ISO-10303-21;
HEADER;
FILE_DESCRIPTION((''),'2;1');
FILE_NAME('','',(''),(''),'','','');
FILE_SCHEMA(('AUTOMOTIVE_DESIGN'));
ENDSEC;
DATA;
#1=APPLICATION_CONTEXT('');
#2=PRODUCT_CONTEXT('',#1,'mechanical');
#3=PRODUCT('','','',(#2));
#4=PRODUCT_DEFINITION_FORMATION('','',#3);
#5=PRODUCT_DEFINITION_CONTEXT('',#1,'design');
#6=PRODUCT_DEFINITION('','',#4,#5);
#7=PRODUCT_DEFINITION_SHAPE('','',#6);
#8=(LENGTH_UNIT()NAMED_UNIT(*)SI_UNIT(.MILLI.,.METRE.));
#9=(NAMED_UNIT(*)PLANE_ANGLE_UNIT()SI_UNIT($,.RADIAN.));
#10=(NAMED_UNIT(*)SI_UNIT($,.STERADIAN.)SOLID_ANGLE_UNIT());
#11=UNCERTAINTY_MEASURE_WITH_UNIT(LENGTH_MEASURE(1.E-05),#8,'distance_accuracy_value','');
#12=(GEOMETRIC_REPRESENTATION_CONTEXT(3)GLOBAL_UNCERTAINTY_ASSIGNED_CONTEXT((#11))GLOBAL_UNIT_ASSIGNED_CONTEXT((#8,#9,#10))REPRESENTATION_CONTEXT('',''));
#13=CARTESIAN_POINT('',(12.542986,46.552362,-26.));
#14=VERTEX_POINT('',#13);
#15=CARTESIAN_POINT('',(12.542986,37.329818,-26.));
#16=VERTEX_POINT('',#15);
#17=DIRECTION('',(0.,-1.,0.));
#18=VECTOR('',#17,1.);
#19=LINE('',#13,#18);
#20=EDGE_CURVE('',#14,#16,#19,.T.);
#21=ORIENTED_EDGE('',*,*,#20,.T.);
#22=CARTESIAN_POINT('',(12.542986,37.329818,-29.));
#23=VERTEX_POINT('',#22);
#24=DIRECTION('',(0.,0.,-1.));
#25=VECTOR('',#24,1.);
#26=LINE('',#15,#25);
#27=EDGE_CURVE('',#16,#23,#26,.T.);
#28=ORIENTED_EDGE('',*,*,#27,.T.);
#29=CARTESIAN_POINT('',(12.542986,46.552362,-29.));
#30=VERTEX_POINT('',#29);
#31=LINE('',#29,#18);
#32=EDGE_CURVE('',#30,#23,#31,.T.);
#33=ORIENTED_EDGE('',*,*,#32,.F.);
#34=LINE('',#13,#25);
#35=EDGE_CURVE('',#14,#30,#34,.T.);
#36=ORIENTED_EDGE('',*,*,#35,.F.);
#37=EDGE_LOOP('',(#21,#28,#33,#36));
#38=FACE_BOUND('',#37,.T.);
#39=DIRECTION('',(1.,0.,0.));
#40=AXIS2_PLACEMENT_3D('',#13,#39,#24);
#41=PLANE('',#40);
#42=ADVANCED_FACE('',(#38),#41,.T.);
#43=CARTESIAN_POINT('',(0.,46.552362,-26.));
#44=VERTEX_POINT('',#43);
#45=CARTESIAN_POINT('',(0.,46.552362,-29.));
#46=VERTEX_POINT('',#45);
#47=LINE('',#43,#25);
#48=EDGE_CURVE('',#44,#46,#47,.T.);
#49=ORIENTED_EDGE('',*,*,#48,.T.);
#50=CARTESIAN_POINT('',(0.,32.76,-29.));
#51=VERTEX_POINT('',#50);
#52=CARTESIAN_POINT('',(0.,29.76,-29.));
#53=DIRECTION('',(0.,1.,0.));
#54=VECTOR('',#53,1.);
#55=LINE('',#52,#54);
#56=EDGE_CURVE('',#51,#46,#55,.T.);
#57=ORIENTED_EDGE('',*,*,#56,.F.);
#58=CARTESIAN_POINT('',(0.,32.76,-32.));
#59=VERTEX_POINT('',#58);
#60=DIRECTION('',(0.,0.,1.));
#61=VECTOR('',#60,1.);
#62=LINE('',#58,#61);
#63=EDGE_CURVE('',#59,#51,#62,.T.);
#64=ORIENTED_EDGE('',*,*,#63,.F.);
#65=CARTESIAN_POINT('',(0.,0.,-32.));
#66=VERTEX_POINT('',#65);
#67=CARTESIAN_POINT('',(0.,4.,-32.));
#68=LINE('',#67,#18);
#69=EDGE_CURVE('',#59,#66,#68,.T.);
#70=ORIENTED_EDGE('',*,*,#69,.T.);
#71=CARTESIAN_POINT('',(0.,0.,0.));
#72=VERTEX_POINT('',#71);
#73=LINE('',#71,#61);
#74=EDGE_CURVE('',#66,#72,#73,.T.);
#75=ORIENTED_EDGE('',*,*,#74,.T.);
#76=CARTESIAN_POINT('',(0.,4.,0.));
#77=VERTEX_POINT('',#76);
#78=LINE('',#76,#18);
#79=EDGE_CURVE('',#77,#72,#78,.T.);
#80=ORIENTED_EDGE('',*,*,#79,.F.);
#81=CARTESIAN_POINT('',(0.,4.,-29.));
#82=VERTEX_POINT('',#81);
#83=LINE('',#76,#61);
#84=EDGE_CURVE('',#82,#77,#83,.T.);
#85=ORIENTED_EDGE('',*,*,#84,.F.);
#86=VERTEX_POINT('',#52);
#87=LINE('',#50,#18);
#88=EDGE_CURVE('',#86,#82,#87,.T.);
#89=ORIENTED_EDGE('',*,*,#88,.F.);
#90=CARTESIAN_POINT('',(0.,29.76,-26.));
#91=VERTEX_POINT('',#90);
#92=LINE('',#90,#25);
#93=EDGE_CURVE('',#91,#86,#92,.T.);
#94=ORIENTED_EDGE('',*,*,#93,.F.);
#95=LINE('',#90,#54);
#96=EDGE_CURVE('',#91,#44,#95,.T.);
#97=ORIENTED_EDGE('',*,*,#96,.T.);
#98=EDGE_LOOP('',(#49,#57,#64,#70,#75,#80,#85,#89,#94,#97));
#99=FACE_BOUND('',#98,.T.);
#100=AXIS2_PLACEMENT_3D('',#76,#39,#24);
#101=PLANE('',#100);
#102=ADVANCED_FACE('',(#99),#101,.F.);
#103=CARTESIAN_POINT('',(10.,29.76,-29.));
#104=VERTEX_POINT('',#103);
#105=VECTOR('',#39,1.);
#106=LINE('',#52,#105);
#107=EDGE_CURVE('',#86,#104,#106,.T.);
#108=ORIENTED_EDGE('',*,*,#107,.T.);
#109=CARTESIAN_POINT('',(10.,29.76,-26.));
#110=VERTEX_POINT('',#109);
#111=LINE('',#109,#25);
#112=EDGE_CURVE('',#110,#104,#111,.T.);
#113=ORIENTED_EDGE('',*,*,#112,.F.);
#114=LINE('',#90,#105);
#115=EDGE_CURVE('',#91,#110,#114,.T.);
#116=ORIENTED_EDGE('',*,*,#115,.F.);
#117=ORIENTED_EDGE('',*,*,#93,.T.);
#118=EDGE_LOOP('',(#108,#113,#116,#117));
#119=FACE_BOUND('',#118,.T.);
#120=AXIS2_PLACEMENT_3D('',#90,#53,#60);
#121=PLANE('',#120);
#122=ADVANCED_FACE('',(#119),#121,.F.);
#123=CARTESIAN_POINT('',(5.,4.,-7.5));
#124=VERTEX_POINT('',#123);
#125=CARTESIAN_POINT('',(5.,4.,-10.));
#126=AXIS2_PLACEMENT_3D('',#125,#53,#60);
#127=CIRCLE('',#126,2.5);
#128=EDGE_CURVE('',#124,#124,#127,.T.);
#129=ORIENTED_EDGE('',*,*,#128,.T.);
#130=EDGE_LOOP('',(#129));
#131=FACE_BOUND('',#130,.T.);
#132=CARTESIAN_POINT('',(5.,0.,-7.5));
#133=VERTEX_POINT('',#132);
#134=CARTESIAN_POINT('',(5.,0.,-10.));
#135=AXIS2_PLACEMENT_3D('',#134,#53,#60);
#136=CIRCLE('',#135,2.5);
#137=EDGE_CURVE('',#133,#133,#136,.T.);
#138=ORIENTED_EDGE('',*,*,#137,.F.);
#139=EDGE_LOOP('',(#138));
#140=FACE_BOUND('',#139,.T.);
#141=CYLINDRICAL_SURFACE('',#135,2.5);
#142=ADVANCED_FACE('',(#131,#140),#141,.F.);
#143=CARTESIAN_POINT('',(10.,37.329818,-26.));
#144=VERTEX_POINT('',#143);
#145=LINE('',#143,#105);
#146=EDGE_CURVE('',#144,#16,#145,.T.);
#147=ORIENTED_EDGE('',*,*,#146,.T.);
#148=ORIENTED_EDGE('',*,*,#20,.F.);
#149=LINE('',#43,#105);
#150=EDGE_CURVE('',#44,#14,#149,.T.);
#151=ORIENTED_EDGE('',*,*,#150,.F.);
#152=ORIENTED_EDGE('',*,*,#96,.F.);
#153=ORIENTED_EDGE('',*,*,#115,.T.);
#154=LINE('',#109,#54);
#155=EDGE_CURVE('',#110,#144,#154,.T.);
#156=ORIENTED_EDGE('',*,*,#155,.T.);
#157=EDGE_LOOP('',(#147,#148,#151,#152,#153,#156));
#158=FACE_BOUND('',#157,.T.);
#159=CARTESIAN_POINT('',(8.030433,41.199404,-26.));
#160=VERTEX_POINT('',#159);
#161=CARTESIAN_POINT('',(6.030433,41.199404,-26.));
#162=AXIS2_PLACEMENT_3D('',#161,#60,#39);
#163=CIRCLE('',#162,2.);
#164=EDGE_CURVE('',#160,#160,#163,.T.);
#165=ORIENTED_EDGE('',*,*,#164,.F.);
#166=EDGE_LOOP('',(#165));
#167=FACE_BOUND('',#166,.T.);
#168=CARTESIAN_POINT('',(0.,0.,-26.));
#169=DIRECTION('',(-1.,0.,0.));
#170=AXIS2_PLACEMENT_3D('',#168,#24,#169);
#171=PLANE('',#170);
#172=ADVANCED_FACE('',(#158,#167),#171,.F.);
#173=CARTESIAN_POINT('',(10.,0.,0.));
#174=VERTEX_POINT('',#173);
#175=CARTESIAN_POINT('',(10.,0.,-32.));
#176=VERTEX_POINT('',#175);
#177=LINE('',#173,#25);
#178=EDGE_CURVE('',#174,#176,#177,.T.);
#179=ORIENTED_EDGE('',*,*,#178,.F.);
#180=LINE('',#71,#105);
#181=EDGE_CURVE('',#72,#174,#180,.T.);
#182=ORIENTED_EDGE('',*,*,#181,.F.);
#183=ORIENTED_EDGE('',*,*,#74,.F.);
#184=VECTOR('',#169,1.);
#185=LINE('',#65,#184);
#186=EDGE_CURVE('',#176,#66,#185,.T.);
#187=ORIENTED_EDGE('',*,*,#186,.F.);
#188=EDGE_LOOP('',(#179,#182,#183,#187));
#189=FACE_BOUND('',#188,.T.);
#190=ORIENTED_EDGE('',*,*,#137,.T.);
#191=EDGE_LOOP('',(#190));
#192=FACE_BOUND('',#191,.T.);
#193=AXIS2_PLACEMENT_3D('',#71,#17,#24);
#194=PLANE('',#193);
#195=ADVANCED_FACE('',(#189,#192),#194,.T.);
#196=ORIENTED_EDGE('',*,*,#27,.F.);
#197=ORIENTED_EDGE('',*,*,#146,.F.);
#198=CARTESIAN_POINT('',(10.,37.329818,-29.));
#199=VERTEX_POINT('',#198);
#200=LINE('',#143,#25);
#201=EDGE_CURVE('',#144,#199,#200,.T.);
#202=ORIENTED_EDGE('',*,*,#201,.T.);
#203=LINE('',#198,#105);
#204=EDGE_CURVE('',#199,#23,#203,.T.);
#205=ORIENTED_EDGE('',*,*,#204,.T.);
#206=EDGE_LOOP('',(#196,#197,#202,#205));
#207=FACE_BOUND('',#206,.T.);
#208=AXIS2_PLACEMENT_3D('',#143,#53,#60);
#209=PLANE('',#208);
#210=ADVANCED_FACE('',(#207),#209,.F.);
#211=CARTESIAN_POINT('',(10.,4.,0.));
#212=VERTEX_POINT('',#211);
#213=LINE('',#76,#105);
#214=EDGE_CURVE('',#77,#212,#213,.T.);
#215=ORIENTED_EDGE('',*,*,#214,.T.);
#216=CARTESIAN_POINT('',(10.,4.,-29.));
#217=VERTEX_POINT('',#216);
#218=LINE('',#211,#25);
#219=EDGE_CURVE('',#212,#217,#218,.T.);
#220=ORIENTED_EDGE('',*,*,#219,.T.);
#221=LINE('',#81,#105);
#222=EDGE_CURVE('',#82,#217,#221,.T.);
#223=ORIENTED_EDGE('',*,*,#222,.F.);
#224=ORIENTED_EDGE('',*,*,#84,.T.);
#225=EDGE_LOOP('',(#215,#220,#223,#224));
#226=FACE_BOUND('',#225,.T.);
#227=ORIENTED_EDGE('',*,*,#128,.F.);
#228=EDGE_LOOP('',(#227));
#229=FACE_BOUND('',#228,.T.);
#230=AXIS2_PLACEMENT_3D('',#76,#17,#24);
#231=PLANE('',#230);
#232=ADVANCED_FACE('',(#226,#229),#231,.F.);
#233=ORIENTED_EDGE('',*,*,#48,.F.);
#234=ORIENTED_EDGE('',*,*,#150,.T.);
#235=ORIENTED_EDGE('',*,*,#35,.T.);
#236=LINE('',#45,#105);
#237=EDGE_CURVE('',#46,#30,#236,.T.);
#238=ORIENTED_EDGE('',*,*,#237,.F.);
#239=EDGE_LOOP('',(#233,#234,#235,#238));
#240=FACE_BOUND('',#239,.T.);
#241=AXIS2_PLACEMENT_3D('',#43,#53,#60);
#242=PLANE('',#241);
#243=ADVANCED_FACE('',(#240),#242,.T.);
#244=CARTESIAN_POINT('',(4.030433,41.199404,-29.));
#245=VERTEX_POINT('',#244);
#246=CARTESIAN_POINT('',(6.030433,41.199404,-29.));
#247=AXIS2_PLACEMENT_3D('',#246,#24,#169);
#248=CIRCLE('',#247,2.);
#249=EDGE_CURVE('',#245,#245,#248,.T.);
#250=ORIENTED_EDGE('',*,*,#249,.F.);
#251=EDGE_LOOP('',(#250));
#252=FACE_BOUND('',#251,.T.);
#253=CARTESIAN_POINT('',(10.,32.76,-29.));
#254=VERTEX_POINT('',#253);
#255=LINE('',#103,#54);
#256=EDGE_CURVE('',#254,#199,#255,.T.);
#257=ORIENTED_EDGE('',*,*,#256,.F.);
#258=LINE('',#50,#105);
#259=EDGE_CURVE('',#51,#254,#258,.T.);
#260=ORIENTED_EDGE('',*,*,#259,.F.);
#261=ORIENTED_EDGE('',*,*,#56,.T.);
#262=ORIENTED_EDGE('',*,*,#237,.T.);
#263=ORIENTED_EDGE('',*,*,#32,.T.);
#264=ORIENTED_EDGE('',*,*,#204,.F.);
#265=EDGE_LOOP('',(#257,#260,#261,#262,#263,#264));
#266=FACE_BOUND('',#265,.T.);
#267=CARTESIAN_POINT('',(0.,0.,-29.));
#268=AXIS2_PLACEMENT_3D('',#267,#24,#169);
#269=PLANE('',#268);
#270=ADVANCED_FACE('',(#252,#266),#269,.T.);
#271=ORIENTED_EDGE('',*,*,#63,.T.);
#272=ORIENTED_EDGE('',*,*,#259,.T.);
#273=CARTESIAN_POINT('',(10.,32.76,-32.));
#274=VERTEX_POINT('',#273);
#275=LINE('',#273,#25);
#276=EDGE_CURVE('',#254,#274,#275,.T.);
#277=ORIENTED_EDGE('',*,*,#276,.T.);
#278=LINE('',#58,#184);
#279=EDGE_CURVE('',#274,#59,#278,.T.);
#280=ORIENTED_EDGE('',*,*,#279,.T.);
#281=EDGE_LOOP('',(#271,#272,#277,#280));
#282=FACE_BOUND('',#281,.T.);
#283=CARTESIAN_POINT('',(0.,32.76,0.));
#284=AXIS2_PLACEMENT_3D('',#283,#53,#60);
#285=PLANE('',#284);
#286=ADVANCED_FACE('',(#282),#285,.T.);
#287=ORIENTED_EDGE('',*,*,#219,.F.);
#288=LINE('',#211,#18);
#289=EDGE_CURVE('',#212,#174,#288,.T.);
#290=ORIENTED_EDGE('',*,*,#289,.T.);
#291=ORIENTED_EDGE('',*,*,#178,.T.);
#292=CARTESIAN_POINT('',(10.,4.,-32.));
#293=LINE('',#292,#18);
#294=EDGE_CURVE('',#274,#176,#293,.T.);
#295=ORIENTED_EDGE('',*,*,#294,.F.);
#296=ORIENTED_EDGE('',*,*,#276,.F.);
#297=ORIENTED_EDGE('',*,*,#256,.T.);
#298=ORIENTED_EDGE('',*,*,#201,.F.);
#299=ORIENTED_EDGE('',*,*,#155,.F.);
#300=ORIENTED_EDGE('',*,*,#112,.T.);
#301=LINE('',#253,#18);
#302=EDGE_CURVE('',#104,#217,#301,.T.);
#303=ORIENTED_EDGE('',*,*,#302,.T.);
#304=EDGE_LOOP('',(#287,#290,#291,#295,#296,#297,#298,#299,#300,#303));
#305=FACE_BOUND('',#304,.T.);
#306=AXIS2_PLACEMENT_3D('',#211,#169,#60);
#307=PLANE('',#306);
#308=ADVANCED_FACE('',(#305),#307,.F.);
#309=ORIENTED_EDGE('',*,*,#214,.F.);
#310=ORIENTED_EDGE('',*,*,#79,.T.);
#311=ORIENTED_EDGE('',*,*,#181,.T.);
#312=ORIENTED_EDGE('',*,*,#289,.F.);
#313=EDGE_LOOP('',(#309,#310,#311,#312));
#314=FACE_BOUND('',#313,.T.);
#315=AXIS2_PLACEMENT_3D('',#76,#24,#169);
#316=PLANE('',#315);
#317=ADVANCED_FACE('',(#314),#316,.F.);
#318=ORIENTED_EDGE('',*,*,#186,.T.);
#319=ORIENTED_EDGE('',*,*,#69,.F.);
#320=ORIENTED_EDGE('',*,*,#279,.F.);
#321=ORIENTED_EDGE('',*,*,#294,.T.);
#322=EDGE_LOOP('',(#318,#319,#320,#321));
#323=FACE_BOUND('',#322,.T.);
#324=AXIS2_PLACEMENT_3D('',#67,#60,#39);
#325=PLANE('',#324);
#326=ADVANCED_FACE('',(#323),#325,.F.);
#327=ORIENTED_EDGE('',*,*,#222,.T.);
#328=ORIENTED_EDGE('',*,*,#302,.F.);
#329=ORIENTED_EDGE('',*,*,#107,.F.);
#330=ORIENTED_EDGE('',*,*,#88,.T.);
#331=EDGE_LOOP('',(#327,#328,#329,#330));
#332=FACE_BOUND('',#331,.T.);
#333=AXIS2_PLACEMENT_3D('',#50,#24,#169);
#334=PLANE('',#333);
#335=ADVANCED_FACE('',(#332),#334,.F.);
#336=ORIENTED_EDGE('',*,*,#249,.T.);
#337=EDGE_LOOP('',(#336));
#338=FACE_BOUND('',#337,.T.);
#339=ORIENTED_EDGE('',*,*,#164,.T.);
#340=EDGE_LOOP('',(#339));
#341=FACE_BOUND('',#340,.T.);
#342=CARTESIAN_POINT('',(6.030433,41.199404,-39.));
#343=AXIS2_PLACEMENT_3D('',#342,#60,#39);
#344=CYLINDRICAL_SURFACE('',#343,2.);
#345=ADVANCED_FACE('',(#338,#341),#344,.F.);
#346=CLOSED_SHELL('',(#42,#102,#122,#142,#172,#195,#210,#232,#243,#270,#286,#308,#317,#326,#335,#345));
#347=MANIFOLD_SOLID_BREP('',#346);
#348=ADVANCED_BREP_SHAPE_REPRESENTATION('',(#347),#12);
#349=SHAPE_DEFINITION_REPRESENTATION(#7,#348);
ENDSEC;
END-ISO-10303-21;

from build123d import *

# Parameters (mm, degrees)
SKETCH1_W           = 10
SKETCH1_H           = 32
BOSS_EXTRUDE1_DEPTH = 4
SKETCH2_R           = 2.5
CUT_EXTRUDE1_DEPTH  = 4
SKETCH3_W           = 10
SKETCH3_H           = 3
BOSS_EXTRUDE2_DEPTH = 28.76
SKETCH4_W           = 2.542985542
SKETCH4_H           = 9.222544282
BOSS_EXTRUDE3_DEPTH = 3
SKETCH5_R           = 2
CUT_EXTRUDE2_DEPTH  = 13


with BuildPart() as part:
    # Sketch1 → Boss-Extrude1 (new body)
    with BuildSketch(Plane(origin=(0, 0, 0), x_dir=(1, 0, 0), z_dir=(0, 1, 0))):
        with Locations((5, 16)):
            Rectangle(SKETCH1_W, SKETCH1_H)
    extrude(amount=BOSS_EXTRUDE1_DEPTH)

    # Sketch2 → Cut-Extrude1 (cut)
    with BuildSketch(Plane(origin=(0, 4, 0), x_dir=(1, 0, 0), z_dir=(0, 1, 0))):
        with Locations((5, 10)):
            Circle(SKETCH2_R)
    extrude(amount=-CUT_EXTRUDE1_DEPTH, mode=Mode.SUBTRACT)

    # Sketch3 → Boss-Extrude2 (add)
    with BuildSketch(Plane(origin=(0, 4, 0), x_dir=(1, 0, 0), z_dir=(0, 1, 0))):
        with Locations((5, 30.5)):
            Rectangle(SKETCH3_W, SKETCH3_H)
    extrude(amount=BOSS_EXTRUDE2_DEPTH)

    # Sketch4 → Boss-Extrude3 (add)
    with BuildSketch(Plane.XY.offset(-29)):
        Polygon((10, 37.329817811), (10, 46.552362093), (0, 46.552362093), (0, 29.76), (10, 29.76), align=None)
        with Locations((11.271492771, 41.941089952)):
            Rectangle(SKETCH4_W, SKETCH4_H)
    extrude(amount=BOSS_EXTRUDE3_DEPTH)

    # Sketch5 → Cut-Extrude2 (cut)
    with BuildSketch(Plane.XY.offset(-26)):
        with Locations((6.030433289, 41.199403662)):
            Circle(SKETCH5_R)
    extrude(amount=-CUT_EXTRUDE2_DEPTH, mode=Mode.SUBTRACT)


solid = part.part
